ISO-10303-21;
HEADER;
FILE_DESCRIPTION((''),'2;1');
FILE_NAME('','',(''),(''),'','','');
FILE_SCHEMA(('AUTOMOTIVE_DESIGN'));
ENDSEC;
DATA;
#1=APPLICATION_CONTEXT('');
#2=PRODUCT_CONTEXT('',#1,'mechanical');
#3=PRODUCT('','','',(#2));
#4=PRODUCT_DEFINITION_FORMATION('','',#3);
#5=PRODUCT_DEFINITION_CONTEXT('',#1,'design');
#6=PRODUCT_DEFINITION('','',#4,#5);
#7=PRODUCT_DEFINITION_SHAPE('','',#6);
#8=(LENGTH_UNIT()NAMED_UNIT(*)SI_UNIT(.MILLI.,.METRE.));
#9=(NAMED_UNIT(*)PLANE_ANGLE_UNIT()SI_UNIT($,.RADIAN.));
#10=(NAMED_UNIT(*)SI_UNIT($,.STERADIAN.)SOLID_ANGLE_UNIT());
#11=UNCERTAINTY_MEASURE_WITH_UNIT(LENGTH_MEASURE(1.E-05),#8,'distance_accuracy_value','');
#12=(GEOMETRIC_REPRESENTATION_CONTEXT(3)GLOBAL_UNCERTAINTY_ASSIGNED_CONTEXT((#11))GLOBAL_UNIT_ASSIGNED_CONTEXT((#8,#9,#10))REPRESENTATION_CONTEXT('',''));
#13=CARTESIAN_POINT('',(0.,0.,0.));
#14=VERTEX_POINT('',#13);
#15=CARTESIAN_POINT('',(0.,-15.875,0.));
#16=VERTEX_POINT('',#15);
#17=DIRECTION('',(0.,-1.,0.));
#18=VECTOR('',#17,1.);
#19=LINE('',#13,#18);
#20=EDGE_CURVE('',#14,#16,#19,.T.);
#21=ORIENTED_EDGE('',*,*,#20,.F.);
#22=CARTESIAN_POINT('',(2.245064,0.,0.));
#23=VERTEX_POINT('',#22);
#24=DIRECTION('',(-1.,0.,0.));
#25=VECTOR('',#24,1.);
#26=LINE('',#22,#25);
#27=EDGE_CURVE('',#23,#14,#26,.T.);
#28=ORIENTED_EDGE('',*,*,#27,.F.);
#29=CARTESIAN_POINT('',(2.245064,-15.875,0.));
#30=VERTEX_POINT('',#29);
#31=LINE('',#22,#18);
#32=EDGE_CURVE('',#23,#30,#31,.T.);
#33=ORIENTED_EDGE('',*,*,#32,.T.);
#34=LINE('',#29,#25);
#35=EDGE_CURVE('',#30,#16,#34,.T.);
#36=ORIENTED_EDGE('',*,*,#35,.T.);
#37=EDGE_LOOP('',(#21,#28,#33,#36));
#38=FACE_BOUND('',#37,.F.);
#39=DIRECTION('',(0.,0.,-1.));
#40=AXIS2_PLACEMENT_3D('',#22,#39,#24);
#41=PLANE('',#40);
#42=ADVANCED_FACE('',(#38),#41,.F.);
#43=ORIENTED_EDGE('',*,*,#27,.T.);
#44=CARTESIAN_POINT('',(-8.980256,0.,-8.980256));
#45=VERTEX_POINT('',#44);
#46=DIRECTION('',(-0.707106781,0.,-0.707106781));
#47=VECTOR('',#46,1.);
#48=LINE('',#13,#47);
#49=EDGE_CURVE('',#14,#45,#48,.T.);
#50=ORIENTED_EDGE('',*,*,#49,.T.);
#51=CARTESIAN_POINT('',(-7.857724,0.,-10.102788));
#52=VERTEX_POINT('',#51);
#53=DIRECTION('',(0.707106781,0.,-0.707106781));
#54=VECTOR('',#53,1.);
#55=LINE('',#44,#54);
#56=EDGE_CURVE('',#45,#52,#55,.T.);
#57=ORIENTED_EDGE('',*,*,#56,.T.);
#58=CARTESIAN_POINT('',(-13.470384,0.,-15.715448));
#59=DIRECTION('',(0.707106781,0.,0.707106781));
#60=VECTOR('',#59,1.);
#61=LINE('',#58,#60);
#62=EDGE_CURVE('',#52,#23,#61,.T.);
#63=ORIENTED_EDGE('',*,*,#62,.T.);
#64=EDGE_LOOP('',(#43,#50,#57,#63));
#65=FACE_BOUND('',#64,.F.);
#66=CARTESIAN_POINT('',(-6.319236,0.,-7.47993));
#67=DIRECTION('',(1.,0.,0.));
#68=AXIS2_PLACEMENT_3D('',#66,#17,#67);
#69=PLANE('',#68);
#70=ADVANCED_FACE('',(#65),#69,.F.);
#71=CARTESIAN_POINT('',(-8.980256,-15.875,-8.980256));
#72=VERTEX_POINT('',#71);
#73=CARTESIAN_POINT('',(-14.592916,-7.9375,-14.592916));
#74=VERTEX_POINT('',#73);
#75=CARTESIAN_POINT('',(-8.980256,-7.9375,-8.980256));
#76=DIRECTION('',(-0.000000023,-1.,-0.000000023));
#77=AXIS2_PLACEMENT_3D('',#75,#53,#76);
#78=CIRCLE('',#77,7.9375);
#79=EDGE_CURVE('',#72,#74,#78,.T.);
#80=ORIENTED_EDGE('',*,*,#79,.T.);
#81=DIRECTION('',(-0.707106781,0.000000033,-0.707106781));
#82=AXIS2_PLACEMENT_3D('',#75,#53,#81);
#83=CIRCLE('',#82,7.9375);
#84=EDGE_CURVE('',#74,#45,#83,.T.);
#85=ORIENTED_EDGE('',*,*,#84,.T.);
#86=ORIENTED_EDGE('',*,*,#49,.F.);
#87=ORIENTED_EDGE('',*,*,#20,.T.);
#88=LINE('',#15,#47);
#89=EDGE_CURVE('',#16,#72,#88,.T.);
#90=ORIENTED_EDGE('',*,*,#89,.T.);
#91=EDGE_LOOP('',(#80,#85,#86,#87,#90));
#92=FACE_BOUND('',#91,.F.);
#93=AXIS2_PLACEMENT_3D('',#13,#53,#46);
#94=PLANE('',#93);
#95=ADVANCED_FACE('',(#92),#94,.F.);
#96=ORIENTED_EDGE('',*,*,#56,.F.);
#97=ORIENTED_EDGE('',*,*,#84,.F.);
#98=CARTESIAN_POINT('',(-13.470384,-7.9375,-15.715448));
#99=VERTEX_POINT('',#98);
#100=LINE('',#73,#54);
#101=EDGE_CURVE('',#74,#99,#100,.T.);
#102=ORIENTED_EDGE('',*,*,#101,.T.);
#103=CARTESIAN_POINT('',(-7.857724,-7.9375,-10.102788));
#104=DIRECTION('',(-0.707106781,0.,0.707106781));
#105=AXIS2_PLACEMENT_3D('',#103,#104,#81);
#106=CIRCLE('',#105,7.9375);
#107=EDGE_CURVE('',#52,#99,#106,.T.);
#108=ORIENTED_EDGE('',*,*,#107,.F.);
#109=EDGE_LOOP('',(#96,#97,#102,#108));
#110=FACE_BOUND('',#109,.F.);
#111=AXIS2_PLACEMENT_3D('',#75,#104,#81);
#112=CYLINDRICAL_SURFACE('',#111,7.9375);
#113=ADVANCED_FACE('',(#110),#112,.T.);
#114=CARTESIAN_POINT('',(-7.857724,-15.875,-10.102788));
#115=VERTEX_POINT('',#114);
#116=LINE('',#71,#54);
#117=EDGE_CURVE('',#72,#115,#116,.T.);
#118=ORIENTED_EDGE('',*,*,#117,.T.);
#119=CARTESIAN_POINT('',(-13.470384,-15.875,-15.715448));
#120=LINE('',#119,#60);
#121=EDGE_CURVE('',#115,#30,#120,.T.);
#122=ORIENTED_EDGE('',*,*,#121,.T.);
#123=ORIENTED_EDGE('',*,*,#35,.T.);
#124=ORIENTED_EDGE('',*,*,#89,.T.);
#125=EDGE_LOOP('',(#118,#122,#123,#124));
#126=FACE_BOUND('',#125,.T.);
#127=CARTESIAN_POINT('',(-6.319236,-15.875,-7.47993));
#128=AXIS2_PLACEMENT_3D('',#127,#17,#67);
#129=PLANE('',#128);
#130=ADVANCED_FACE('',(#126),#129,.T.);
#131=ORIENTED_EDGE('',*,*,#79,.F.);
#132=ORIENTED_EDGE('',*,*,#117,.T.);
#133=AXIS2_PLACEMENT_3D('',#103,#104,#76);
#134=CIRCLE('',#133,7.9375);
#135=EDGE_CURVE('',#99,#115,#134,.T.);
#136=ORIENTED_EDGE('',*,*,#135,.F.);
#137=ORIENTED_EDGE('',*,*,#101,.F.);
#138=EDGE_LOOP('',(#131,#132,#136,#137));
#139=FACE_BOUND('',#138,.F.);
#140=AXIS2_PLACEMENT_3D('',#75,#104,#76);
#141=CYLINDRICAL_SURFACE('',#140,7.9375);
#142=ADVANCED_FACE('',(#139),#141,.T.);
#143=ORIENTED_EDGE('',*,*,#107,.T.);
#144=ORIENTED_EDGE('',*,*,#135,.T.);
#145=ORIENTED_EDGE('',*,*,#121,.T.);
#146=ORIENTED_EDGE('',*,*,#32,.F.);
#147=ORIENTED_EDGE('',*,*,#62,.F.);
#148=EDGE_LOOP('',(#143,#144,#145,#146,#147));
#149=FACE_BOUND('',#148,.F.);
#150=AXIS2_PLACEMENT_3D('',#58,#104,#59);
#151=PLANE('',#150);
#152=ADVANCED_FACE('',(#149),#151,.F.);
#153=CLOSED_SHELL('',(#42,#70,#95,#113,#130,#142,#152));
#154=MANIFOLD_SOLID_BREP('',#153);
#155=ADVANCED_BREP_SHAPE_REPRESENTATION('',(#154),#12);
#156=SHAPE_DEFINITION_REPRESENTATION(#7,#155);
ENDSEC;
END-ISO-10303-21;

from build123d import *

# Parameters (mm, degrees)
F1_DEPTH = 15.875
F3_DEPTH = 12.701


with BuildPart() as f1:
    # F0 (on Front) → F1 (new body)
    with BuildSketch(Plane.XZ):
        Polygon((2.245064, 0), (0, 0), (-14.592916, -14.592916), (-13.470384, -15.715448), align=None)
    extrude(amount=F1_DEPTH)

    # F2 (on face) → F3 (cut, through all)
    with BuildSketch(Plane(origin=(0, 0, 0), x_dir=(0, -1, 0), z_dir=(-0.707107, 0, 0.707107))):
        with BuildLine():
            ThreePointArc((7.9375, -20.6375), (2.32484, -18.31266), (0, -12.7))
            Line((0, -12.7), (0, -20.6375))
            Line((0, -20.6375), (7.9375, -20.6375))
        make_face()
        with BuildLine():
            ThreePointArc((15.875, -12.7), (13.55016, -18.31266), (7.9375, -20.6375))
            Line((7.9375, -20.6375), (15.875, -20.6375))
            Line((15.875, -20.6375), (15.875, -12.7))
        make_face()
    extrude(amount=-F3_DEPTH, mode=Mode.SUBTRACT)


solid = f1.part
